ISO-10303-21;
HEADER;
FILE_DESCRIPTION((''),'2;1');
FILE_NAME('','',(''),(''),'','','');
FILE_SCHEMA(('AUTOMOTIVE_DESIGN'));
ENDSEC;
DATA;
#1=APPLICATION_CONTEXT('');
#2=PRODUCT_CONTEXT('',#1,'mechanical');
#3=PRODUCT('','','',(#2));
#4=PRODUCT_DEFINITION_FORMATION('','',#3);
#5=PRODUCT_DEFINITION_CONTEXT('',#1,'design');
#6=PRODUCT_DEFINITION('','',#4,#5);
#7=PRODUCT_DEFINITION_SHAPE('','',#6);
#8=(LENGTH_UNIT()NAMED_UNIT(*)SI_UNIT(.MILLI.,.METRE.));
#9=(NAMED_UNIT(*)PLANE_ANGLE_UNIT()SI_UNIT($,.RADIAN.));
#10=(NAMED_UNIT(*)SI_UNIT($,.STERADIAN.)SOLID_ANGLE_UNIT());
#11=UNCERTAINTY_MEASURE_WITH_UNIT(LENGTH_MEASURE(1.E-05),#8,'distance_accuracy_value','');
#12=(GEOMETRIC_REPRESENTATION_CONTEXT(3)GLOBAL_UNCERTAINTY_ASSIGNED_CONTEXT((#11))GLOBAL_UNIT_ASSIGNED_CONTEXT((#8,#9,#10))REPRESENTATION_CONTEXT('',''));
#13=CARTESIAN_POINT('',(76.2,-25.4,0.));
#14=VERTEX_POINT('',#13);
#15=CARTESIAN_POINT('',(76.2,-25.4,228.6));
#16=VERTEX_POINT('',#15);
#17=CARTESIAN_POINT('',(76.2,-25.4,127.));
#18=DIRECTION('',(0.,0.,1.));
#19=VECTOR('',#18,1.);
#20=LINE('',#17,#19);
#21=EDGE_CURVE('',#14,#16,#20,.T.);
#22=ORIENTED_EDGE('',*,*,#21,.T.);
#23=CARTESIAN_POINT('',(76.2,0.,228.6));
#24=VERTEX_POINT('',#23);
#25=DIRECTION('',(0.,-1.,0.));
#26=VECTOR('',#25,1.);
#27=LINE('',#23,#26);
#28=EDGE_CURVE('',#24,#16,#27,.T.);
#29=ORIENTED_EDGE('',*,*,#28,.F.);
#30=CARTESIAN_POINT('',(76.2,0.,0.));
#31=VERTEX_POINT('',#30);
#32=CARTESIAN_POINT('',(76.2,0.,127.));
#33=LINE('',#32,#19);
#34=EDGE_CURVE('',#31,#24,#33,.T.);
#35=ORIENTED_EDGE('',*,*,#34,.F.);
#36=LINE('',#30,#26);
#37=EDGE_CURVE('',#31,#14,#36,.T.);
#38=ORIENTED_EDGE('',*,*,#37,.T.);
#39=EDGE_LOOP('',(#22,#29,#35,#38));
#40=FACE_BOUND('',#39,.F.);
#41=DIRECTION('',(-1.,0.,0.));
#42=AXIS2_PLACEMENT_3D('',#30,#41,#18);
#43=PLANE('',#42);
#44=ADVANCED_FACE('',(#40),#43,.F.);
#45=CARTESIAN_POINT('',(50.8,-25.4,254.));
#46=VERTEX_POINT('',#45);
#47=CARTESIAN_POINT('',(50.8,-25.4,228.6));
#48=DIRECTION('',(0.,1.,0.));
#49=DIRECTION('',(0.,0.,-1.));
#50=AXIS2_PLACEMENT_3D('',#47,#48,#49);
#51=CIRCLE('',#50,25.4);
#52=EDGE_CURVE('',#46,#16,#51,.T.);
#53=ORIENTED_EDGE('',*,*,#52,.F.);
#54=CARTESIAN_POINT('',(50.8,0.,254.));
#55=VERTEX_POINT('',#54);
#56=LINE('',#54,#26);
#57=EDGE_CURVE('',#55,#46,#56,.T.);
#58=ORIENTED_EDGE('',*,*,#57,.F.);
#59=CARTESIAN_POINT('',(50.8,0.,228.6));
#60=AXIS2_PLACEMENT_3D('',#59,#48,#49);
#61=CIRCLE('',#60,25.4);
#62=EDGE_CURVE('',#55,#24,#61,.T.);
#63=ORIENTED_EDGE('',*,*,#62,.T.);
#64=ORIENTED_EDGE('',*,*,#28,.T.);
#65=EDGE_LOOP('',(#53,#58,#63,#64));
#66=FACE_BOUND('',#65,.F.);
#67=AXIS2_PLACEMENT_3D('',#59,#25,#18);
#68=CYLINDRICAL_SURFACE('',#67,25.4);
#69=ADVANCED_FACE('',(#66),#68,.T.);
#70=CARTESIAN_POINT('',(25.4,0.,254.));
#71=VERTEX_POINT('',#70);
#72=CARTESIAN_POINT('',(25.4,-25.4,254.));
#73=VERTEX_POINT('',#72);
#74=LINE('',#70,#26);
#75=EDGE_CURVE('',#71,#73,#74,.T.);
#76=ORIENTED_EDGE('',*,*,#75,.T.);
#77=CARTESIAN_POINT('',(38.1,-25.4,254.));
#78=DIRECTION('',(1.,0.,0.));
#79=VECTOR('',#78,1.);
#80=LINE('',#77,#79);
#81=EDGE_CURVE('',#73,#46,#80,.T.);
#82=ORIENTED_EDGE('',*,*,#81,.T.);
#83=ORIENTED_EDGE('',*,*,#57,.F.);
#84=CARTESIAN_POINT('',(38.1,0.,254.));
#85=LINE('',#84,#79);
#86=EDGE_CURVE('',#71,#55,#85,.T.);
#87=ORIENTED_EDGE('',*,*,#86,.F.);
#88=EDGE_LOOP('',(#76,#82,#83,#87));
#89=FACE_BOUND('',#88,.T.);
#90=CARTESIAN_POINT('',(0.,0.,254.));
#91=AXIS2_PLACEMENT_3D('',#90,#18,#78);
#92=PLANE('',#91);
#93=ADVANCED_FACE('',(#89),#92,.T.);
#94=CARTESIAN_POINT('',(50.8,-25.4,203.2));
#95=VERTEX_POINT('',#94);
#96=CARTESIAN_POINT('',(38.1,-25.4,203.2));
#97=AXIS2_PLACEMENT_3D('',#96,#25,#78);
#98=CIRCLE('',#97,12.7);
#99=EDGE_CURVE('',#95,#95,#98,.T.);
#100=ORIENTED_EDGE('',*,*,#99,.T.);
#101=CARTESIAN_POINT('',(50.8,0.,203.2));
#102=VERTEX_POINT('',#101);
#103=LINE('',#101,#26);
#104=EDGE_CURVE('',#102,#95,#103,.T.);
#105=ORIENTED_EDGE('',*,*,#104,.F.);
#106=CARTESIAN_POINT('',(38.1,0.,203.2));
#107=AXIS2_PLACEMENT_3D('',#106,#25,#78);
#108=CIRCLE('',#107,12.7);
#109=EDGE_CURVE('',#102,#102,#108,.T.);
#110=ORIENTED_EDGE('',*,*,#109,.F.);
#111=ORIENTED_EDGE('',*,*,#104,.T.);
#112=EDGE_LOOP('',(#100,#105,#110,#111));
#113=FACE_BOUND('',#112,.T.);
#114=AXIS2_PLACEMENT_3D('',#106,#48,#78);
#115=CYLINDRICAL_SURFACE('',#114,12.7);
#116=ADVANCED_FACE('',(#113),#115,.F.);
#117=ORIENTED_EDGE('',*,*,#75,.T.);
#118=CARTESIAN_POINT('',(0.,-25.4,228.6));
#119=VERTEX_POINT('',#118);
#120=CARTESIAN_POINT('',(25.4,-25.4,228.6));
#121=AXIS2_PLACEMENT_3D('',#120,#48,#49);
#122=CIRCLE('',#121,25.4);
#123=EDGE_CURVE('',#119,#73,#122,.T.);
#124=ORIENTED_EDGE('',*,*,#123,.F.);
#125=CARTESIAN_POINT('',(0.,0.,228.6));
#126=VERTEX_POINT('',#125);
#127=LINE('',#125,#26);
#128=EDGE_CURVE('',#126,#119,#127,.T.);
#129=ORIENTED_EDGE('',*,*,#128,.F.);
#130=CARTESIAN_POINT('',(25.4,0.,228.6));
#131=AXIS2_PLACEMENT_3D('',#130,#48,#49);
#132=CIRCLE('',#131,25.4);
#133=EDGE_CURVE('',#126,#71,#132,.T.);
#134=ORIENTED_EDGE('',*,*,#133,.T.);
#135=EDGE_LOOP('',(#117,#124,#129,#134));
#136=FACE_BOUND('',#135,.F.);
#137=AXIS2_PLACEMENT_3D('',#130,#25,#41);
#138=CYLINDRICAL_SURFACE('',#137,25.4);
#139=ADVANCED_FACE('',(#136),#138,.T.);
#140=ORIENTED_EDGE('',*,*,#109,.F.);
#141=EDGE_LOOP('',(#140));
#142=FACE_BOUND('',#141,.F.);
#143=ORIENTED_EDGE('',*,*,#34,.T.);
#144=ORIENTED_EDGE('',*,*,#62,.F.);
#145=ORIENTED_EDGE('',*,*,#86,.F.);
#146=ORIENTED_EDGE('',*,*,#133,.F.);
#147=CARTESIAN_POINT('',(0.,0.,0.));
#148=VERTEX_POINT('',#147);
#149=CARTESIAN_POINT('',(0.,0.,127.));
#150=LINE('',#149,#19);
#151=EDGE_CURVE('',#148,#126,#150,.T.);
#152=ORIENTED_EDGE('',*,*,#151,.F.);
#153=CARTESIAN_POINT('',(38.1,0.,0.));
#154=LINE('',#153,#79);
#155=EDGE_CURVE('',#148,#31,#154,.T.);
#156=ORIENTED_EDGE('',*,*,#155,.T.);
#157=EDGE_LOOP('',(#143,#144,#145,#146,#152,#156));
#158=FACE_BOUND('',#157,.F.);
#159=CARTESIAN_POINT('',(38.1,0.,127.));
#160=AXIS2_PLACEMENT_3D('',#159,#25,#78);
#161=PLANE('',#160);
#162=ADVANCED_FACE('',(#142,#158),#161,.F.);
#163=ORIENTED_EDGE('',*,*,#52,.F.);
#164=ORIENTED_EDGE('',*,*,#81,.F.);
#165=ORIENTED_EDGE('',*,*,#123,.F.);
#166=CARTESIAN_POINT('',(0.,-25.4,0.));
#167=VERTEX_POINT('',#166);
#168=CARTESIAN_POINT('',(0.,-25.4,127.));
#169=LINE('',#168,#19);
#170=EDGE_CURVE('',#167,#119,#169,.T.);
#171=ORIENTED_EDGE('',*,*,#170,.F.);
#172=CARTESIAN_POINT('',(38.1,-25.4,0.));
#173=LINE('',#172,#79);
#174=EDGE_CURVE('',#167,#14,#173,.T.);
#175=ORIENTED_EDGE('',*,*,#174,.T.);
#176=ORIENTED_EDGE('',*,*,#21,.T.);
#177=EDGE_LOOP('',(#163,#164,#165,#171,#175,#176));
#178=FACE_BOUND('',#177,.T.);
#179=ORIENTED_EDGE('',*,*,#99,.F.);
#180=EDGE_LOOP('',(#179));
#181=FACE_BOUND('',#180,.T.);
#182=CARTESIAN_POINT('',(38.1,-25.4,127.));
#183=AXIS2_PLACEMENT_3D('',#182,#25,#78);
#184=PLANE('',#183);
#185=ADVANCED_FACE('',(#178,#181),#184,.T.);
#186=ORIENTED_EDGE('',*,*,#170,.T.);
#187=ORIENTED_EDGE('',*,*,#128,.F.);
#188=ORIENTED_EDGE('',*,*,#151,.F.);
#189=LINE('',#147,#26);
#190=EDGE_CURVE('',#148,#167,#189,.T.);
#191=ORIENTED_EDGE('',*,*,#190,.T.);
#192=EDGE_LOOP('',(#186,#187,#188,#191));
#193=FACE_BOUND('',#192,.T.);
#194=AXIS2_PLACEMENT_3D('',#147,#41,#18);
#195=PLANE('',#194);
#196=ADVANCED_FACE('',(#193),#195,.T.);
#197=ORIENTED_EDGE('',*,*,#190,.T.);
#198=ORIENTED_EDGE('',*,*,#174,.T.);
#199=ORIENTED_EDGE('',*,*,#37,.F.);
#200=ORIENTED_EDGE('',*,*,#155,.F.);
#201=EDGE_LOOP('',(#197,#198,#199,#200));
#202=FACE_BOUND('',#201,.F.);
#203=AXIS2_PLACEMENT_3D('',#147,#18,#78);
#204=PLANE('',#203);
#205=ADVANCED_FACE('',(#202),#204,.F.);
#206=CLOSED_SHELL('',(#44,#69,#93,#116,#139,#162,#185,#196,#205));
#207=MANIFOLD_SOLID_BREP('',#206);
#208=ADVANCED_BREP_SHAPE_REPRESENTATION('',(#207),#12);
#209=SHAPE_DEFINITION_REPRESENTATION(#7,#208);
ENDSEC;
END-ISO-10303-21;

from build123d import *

# Parameters (mm, degrees)
F0_W     = 76.2
F0_H     = 254
F0_R     = 12.7
F1_DEPTH = 25.4
F2_R     = 25.4


with BuildPart() as f1:
    # F0 (on Front) → F1 (new body)
    with BuildSketch(Plane.XZ):
        with Locations((38.1, 127)):
            Rectangle(F0_W, F0_H)
        with Locations((38.1, 203.2)):
            Circle(F0_R, mode=Mode.SUBTRACT)
    extrude(amount=F1_DEPTH)

    # F2
    f2_edges = [f1.edges().sort_by_distance(p)[0] for p in [
        (0, -12.7, 254),
        (76.2, -12.7, 254),
    ]]
    fillet(f2_edges, radius=F2_R)


solid = f1.part
